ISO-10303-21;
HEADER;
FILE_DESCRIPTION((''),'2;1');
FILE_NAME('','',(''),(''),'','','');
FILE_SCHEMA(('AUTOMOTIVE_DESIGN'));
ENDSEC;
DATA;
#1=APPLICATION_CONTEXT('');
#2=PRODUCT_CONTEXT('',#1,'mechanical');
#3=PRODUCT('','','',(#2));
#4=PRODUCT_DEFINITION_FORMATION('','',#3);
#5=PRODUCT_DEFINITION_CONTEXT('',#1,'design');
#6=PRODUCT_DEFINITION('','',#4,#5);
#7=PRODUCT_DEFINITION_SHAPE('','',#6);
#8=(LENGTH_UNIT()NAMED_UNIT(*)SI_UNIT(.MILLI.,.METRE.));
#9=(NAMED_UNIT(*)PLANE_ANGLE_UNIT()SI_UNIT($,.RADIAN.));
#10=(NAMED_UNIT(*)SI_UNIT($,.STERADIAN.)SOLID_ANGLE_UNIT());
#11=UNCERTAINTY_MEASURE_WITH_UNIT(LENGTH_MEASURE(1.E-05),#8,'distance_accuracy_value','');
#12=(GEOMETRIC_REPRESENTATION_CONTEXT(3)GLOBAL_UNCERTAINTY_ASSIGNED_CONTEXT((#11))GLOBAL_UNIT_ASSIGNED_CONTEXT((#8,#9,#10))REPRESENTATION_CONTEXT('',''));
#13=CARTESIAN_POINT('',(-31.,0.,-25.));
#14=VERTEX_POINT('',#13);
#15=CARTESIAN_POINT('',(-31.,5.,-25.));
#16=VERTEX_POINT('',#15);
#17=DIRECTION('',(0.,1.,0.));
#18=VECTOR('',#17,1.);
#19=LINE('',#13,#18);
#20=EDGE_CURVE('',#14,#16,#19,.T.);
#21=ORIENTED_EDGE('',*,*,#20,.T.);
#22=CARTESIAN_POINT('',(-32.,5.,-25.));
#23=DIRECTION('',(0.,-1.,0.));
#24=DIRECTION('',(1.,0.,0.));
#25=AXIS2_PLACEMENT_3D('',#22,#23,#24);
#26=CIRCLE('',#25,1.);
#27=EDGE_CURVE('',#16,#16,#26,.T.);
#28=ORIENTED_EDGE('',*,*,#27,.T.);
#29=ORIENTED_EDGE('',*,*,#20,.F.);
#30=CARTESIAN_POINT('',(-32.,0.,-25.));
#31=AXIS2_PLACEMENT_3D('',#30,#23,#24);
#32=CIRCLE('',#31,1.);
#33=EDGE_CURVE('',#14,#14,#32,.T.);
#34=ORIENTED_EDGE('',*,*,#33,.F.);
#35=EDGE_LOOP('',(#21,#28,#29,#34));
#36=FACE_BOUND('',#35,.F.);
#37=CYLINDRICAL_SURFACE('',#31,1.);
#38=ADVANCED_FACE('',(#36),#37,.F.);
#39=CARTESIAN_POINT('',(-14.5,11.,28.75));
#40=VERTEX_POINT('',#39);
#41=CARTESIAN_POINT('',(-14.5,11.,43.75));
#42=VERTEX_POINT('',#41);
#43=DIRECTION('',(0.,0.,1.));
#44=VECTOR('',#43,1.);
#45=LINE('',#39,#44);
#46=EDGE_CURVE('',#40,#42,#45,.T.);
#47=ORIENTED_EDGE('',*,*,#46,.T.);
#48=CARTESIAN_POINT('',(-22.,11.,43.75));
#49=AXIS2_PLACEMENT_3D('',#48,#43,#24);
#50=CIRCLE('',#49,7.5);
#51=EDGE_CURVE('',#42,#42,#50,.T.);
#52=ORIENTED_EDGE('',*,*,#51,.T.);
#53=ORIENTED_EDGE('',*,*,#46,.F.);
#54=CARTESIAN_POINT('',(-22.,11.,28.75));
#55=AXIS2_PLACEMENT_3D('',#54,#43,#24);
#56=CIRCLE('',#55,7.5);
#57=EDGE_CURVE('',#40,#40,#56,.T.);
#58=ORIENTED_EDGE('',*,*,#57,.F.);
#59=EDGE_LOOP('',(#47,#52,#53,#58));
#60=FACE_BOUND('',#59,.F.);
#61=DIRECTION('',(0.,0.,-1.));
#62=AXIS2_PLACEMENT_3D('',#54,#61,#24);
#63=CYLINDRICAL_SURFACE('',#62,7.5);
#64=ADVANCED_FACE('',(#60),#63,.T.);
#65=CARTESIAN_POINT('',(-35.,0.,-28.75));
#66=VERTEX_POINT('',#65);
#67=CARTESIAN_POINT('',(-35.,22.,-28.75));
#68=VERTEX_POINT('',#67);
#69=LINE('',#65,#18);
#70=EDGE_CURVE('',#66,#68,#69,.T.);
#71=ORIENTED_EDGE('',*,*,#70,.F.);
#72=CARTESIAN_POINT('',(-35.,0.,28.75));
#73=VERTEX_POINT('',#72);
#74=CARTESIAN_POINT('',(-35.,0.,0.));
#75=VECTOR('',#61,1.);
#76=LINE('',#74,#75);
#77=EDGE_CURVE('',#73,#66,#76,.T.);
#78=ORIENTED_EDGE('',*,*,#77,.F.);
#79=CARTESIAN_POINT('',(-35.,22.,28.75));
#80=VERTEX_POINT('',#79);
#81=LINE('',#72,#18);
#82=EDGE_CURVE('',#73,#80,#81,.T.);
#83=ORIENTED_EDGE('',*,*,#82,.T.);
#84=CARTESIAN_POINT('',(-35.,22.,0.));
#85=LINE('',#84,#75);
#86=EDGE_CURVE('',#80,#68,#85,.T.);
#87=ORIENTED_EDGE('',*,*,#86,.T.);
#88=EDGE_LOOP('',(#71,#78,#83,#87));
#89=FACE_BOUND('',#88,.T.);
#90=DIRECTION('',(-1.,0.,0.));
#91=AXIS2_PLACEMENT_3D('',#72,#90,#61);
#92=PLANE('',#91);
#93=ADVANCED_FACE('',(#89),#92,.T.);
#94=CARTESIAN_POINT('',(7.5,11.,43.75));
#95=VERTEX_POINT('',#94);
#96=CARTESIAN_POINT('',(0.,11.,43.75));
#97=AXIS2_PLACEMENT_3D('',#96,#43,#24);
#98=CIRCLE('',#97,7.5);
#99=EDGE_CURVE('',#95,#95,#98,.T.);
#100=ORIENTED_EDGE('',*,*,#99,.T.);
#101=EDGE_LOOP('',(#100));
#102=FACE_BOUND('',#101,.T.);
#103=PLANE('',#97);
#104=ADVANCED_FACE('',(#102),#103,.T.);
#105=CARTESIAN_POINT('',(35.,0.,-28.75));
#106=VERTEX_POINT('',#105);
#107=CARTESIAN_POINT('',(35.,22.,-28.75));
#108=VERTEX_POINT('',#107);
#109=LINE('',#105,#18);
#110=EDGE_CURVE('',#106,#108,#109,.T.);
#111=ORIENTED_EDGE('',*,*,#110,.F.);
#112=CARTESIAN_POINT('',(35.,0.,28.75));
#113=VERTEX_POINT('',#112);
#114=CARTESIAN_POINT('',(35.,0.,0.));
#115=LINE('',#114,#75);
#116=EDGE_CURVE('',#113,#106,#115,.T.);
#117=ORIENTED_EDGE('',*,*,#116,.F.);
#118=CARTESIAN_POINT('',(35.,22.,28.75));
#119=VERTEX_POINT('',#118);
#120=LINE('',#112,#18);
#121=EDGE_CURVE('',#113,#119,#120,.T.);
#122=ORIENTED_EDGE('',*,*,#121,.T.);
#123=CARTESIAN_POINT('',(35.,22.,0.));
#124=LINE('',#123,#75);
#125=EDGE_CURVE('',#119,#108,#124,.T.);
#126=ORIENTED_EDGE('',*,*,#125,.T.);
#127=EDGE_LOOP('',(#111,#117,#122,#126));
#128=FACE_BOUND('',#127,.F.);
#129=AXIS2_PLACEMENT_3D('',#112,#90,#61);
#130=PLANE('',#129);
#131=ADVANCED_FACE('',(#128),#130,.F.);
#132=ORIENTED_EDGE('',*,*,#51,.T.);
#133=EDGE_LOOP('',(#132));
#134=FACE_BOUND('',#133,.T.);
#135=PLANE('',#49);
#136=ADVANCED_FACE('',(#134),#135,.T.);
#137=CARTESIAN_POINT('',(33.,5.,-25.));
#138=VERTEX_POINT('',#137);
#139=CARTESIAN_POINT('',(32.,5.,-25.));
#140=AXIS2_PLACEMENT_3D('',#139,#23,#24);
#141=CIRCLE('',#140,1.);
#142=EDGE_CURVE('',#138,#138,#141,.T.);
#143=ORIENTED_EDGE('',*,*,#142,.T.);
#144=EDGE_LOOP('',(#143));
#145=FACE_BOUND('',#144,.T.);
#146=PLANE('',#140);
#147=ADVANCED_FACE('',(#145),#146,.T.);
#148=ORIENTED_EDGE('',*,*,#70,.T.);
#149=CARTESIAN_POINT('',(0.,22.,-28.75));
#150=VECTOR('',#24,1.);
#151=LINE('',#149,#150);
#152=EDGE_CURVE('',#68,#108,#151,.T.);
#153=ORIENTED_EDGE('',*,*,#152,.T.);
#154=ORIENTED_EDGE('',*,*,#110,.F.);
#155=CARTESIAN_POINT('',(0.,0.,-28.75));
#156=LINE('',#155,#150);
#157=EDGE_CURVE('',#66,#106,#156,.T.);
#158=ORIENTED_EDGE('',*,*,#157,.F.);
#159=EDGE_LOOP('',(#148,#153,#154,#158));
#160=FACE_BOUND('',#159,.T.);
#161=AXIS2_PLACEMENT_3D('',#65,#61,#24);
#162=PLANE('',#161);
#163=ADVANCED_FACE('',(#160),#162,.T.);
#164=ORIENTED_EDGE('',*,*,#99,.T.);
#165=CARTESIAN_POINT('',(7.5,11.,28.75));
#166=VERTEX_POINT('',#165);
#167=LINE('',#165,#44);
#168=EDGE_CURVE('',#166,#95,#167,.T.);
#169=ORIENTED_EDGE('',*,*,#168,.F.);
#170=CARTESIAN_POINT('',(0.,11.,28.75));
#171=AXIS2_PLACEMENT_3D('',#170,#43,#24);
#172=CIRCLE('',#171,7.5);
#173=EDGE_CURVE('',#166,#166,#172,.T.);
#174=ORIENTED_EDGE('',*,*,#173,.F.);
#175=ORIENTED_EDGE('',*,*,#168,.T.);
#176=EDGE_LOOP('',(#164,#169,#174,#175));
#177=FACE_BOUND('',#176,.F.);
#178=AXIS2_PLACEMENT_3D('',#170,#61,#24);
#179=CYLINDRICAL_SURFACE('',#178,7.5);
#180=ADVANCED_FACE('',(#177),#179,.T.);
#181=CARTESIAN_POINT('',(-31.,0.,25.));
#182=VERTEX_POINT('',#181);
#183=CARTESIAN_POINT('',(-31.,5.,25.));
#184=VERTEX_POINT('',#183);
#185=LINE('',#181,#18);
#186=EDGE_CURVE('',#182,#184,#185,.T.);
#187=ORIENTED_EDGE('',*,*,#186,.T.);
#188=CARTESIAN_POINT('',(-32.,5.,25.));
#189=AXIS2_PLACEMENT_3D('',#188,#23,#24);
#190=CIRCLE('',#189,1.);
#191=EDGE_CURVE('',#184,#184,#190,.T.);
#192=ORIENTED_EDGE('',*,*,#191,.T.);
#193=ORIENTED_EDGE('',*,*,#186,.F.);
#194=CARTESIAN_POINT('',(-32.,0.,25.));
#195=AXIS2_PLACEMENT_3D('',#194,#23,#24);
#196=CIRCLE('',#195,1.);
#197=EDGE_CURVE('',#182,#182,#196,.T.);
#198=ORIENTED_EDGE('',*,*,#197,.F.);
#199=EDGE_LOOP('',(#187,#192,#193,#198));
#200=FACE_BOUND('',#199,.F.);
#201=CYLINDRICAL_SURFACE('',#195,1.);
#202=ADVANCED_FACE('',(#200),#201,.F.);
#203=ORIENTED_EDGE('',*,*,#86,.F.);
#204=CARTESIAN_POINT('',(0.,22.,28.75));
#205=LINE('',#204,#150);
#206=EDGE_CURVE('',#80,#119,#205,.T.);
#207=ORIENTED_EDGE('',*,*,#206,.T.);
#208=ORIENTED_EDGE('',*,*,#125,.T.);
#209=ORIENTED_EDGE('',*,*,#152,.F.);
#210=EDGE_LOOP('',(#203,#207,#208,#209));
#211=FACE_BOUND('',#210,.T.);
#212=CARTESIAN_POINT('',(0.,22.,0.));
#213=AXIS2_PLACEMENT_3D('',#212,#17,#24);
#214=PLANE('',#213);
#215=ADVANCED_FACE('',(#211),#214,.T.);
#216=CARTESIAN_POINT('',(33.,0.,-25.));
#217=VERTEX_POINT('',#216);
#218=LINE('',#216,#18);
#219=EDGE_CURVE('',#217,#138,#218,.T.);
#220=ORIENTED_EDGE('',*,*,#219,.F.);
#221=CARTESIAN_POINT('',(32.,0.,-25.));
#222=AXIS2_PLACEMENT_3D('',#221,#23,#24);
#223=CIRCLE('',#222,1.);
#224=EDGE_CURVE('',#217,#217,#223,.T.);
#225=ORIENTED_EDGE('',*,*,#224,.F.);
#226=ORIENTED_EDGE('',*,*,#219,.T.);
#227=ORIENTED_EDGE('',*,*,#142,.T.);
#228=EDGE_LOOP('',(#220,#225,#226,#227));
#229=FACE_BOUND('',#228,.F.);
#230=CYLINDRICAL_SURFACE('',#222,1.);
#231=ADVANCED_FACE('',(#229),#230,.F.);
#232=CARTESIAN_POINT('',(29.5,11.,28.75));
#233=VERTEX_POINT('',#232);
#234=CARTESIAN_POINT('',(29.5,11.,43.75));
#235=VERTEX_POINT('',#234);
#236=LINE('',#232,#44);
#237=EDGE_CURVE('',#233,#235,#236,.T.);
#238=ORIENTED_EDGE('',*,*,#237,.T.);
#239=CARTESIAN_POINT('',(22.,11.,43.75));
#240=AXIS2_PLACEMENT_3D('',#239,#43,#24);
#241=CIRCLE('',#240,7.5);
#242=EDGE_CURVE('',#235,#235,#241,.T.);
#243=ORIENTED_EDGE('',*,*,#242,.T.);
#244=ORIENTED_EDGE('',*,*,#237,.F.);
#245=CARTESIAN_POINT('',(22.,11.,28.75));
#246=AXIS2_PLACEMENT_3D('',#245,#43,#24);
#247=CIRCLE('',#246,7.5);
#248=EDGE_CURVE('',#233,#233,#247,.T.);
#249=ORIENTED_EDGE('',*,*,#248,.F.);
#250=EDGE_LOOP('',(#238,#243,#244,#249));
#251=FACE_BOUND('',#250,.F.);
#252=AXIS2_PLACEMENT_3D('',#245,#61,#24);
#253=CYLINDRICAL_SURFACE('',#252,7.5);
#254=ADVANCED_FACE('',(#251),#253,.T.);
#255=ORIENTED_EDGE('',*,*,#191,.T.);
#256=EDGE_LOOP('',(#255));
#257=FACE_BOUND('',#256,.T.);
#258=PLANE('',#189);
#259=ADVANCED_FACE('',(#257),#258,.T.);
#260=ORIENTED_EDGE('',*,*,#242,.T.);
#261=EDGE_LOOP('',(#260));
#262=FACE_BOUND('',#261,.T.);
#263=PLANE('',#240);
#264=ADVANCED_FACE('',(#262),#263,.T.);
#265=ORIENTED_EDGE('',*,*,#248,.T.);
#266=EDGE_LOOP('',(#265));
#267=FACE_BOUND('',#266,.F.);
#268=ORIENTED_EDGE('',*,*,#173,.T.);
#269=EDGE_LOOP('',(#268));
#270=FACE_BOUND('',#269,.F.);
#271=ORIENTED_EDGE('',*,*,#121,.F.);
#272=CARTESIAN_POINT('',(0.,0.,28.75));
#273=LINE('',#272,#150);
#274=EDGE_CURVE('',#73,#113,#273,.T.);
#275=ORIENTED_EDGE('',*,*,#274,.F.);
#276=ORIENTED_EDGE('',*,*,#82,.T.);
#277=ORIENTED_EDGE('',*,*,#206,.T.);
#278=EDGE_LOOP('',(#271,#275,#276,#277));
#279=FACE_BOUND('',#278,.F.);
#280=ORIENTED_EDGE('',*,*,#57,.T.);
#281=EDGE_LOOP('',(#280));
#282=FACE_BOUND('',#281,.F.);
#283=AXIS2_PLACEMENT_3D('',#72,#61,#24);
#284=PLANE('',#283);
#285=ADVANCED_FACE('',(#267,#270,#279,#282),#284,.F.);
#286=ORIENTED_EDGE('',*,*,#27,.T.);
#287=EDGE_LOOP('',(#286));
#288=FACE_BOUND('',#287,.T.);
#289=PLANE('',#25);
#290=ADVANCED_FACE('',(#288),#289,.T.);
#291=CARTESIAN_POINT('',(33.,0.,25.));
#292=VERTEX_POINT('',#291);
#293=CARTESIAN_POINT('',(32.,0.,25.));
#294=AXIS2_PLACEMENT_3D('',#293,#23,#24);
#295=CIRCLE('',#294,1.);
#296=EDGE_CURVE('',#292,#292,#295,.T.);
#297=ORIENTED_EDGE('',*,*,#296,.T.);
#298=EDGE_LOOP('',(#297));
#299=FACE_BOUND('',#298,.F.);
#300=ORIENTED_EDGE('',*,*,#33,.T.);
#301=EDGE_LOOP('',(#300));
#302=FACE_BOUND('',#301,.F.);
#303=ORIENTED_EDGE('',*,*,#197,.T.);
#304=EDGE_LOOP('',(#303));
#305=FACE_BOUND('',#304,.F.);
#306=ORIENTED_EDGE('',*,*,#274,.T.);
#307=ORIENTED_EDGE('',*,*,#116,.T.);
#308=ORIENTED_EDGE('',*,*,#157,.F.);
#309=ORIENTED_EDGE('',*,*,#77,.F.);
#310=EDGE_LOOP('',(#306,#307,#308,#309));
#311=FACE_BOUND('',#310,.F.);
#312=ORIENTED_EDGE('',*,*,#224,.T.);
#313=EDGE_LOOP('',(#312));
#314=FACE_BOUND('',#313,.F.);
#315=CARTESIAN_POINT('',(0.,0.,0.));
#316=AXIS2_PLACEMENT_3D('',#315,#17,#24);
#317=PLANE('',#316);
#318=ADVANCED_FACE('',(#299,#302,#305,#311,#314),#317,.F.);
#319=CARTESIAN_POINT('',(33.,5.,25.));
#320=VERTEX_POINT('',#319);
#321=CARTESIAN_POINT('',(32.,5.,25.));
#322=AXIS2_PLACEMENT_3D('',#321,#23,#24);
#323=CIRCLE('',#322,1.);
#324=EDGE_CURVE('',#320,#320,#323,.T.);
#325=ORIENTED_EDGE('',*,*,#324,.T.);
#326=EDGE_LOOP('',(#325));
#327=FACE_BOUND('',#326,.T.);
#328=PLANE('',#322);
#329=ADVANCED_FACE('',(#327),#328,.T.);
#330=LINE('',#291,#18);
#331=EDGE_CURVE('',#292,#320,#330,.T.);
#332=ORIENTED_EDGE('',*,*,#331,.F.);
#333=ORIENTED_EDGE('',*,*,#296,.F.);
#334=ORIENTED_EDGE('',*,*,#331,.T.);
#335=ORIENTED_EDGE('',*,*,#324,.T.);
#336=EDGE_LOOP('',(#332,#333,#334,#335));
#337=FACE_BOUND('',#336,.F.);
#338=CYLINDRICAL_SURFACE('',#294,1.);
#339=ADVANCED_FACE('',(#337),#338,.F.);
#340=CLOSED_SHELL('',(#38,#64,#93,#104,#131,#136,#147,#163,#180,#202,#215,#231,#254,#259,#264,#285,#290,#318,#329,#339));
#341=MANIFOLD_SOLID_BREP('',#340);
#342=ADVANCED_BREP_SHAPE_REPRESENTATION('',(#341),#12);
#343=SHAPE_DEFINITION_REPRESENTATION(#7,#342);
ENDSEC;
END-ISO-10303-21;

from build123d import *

# Parameters (mm, degrees)
SKETCH_1_W          = 70
SKETCH_1_H          = 57.5
EXTRUDE_1_DEPTH     = 22
SKETCH_2_R          = 7.5
EXTRUDE_2_DEPTH     = 15
SKETCH_3_R          = 1
CUT_EXTRUDE_1_DEPTH = 5


with BuildPart() as part:
    # 草图1 → 凸台-拉伸1 (new body)
    with BuildSketch(Plane(origin=(0, 0, 0), x_dir=(1, 0, 0), z_dir=(0, 1, 0))):
        Rectangle(SKETCH_1_W, SKETCH_1_H)
    extrude(amount=EXTRUDE_1_DEPTH)

    # 草图2 → 凸台-拉伸2 (add)
    with BuildSketch(Plane.XY.offset(28.75)):
        with Locations((-22, 11)):
            Circle(SKETCH_2_R)
        with Locations((0, 11)):
            Circle(SKETCH_2_R)
        with Locations((22, 11)):
            Circle(SKETCH_2_R)
    extrude(amount=EXTRUDE_2_DEPTH)

    # 草图3 → 切除-拉伸1 (cut)
    with BuildSketch(Plane.XZ):
        with Locations((-32, 25)):
            Circle(SKETCH_3_R)
        with Locations((-32, -25)):
            Circle(SKETCH_3_R)
        with Locations((32, -25)):
            Circle(SKETCH_3_R)
        with Locations((32, 25)):
            Circle(SKETCH_3_R)
    extrude(amount=-CUT_EXTRUDE_1_DEPTH, mode=Mode.SUBTRACT)


solid = part.part
